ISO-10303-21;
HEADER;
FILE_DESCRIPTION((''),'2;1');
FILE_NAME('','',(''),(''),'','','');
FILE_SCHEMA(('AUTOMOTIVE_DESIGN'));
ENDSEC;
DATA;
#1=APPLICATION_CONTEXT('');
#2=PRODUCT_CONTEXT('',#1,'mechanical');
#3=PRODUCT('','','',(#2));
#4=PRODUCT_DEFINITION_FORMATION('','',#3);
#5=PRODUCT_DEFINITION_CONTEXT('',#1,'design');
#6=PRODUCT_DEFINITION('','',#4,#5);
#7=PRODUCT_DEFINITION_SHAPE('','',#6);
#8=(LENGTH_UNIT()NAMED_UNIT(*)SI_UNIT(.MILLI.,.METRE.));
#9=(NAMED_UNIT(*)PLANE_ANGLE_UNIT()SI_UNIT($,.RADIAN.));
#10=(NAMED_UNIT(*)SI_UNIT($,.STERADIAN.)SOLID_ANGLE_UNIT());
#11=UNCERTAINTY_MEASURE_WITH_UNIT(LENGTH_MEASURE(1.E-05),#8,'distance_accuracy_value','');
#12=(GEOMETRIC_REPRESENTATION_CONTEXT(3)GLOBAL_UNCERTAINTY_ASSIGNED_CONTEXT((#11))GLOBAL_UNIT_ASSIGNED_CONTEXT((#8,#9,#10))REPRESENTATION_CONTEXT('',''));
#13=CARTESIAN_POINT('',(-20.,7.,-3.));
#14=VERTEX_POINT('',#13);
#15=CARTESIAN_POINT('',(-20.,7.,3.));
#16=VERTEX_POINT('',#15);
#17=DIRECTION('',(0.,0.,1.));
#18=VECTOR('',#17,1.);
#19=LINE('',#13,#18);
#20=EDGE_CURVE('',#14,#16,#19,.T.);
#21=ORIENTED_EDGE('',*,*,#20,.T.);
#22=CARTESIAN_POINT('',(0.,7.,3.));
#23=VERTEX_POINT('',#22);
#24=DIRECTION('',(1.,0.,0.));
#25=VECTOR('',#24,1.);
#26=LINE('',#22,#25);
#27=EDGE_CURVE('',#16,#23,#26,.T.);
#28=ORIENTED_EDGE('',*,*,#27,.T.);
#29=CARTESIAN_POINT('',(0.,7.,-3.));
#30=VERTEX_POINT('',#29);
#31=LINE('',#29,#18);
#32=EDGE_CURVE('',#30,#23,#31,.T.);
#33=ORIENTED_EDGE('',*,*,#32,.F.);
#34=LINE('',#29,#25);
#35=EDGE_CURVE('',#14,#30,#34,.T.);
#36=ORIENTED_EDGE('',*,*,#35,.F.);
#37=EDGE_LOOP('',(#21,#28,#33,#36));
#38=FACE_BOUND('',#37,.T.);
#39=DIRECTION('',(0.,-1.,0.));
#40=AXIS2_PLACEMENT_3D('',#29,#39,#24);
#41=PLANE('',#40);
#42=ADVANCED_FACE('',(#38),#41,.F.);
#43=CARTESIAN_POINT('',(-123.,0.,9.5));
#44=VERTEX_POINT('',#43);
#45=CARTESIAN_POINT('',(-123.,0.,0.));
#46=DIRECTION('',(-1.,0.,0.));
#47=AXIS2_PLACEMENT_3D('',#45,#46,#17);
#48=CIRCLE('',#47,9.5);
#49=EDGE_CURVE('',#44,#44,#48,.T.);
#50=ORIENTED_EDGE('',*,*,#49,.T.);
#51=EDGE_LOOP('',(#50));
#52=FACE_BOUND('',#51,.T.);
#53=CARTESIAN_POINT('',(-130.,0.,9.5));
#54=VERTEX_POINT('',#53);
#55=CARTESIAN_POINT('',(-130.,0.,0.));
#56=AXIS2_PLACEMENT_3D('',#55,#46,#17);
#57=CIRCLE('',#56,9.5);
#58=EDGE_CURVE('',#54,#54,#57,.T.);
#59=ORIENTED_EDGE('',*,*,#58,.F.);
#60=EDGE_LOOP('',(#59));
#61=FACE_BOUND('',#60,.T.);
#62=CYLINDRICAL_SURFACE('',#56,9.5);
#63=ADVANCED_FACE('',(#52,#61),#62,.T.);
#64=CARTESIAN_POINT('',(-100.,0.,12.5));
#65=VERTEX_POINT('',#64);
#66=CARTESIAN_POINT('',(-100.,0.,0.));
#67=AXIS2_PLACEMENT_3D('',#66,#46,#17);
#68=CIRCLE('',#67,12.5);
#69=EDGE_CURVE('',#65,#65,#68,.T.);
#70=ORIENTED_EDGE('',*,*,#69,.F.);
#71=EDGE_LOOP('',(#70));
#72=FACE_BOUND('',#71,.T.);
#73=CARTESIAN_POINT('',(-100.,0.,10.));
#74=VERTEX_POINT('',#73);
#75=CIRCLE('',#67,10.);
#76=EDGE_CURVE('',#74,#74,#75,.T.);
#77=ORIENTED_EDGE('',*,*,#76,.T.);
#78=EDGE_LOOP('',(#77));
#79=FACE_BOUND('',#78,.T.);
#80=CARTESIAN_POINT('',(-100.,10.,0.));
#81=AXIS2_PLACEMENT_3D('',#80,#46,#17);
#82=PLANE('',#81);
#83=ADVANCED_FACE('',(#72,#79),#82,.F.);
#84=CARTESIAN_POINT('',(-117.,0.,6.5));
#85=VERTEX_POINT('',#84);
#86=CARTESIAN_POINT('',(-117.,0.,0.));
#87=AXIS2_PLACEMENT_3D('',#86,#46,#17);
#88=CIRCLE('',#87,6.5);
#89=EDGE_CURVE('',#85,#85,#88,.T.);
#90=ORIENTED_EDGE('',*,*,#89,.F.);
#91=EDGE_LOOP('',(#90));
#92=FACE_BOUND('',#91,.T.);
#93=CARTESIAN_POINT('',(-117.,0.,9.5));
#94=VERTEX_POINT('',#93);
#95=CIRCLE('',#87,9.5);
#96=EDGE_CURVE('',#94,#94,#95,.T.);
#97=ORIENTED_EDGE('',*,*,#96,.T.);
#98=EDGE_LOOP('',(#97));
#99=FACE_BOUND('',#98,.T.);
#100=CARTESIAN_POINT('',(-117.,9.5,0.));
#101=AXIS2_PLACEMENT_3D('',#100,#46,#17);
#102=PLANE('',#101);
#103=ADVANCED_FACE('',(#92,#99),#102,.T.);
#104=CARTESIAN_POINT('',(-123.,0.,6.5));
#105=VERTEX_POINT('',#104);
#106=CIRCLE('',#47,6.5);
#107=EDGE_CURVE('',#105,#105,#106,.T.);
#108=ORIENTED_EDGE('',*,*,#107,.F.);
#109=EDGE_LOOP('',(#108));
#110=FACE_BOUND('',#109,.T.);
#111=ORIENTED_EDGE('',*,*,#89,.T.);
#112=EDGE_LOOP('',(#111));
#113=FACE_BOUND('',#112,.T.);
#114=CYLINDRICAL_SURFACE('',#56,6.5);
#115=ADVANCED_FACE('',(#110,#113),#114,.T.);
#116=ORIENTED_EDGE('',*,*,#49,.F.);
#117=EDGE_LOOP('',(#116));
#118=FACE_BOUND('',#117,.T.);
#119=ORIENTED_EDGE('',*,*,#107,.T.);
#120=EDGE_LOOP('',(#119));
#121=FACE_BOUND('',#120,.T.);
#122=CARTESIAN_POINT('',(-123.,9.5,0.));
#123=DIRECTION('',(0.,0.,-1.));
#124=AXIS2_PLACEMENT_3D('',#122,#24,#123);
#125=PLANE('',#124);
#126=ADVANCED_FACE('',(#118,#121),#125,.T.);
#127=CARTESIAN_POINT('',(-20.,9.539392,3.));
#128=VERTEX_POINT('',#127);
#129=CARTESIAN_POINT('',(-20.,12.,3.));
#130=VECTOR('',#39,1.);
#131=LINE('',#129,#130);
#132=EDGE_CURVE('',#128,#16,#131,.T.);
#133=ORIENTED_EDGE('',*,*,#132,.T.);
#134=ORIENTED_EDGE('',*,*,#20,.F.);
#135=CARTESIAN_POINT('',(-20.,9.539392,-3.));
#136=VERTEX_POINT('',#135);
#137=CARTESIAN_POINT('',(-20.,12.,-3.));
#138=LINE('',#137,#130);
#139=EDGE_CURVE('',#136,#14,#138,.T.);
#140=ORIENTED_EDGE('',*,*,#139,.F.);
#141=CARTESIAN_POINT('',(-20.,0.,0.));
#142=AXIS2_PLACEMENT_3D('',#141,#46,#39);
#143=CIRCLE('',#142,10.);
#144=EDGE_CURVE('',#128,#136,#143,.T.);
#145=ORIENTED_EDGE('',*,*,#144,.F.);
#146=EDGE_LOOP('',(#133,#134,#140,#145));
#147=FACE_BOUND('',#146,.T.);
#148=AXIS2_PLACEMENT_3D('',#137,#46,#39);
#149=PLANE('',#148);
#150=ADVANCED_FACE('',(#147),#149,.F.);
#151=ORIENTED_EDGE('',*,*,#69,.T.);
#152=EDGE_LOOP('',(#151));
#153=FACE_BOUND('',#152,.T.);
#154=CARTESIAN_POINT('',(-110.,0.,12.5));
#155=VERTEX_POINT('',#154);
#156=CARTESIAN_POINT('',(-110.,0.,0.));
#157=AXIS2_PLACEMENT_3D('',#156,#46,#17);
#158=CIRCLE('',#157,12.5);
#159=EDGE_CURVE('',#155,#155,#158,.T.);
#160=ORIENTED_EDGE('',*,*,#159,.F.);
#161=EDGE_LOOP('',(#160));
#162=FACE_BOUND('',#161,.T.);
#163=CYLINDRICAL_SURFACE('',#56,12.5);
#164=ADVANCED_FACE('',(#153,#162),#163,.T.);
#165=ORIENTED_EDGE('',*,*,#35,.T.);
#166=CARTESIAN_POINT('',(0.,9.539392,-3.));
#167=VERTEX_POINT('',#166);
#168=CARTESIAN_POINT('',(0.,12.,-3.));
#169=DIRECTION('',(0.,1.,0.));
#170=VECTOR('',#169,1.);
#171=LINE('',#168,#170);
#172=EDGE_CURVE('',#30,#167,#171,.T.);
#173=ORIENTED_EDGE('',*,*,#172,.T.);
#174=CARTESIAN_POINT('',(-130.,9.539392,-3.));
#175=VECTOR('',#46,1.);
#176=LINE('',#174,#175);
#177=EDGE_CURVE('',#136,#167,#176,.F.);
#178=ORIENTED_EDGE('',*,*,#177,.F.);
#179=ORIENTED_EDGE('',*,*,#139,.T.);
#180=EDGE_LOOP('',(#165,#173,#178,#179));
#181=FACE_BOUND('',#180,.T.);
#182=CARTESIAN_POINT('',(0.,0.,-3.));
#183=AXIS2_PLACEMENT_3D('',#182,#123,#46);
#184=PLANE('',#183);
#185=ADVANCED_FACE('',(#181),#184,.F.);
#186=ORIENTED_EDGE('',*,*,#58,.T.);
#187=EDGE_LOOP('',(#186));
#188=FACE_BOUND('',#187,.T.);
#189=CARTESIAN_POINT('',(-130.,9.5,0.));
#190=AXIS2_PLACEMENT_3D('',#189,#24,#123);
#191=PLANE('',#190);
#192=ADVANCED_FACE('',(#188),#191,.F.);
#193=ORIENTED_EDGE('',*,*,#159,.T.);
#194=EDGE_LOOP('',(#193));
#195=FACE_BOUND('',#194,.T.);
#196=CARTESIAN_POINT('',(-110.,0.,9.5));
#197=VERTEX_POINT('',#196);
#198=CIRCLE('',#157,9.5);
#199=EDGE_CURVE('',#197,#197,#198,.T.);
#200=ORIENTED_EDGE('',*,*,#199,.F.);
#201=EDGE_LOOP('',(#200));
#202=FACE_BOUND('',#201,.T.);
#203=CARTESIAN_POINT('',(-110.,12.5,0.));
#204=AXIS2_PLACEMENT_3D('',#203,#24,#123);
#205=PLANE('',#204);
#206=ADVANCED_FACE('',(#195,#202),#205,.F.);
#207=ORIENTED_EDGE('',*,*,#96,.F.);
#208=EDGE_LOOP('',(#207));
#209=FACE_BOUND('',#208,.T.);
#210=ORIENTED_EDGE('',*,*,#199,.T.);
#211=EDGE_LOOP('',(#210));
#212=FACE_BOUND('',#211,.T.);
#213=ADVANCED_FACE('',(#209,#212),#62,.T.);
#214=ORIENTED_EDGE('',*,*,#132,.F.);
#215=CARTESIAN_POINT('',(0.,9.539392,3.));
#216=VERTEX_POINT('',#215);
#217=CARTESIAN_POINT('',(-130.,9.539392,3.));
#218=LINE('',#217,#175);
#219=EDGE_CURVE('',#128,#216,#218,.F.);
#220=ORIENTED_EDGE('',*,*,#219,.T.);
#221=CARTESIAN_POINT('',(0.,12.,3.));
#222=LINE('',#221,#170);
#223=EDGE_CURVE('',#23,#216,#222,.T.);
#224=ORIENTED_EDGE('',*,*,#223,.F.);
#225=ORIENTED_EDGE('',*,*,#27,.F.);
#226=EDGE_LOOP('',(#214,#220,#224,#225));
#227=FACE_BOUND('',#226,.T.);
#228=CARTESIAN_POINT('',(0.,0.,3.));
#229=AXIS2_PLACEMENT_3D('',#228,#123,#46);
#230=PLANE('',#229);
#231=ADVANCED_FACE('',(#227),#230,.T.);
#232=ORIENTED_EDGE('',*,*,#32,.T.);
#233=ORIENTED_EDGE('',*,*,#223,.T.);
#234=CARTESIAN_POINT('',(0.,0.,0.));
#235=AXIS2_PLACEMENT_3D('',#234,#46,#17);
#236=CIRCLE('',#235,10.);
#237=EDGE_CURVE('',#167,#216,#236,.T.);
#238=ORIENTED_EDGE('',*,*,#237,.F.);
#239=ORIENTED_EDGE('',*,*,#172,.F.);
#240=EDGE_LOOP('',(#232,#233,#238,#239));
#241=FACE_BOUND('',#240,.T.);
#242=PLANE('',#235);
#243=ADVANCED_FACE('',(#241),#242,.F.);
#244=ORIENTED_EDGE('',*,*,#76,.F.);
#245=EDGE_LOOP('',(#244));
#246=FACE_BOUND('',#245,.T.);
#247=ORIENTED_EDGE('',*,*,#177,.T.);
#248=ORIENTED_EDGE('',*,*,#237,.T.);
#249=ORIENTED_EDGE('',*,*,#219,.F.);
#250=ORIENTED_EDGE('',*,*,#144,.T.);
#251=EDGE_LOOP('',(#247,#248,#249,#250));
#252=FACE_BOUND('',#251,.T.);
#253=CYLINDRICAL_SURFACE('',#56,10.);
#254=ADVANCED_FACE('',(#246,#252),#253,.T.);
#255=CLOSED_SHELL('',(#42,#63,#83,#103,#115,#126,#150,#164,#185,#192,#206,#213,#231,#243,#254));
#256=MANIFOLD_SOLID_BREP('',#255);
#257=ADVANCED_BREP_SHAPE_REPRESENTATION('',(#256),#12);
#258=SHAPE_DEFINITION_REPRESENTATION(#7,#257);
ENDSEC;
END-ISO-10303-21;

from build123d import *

# Parameters (mm, degrees)
IZIM3_W               = 6
IZIM3_H               = 3
IZIM4_W               = 20
IZIM4_H               = 5
KES_EKSTR_ZYON1_DEPTH = 3


with BuildPart() as part:
    # Çizim2 → Döndür1 (revolve)
    with BuildSketch(Plane.XY, mode=Mode.PRIVATE) as d_nd_r1_sk:
        Polygon((0, 0), (0, 10), (-100, 10), (-100, 12.5), (-110, 12.5), (-110, 9.5), (-130, 9.5), (-130, 0), align=None)
    revolve(d_nd_r1_sk.sketch.rotate(Axis((-130, 0, 0), (1, 0, 0)), 90), axis=Axis((-130, 0, 0), (1, 0, 0)))

    # Çizim3 → Kes-Döndür1 (revolve, cut)
    with BuildSketch(Plane.XY, mode=Mode.PRIVATE) as kes_d_nd_r1_sk:
        with Locations((-120, 8)):
            Rectangle(IZIM3_W, IZIM3_H)
    revolve(kes_d_nd_r1_sk.sketch.rotate(Axis((-130, 0, 0), (1, 0, 0)), 90), axis=Axis((-130, 0, 0), (1, 0, 0)), mode=Mode.SUBTRACT)

    # Çizim4 → Kes-Ekstrüzyon1 (cut, symmetric)
    with BuildSketch(Plane.XY):
        with Locations((-10, 9.5)):
            Rectangle(IZIM4_W, IZIM4_H)
    extrude(amount=KES_EKSTR_ZYON1_DEPTH, both=True, mode=Mode.SUBTRACT)


solid = part.part
